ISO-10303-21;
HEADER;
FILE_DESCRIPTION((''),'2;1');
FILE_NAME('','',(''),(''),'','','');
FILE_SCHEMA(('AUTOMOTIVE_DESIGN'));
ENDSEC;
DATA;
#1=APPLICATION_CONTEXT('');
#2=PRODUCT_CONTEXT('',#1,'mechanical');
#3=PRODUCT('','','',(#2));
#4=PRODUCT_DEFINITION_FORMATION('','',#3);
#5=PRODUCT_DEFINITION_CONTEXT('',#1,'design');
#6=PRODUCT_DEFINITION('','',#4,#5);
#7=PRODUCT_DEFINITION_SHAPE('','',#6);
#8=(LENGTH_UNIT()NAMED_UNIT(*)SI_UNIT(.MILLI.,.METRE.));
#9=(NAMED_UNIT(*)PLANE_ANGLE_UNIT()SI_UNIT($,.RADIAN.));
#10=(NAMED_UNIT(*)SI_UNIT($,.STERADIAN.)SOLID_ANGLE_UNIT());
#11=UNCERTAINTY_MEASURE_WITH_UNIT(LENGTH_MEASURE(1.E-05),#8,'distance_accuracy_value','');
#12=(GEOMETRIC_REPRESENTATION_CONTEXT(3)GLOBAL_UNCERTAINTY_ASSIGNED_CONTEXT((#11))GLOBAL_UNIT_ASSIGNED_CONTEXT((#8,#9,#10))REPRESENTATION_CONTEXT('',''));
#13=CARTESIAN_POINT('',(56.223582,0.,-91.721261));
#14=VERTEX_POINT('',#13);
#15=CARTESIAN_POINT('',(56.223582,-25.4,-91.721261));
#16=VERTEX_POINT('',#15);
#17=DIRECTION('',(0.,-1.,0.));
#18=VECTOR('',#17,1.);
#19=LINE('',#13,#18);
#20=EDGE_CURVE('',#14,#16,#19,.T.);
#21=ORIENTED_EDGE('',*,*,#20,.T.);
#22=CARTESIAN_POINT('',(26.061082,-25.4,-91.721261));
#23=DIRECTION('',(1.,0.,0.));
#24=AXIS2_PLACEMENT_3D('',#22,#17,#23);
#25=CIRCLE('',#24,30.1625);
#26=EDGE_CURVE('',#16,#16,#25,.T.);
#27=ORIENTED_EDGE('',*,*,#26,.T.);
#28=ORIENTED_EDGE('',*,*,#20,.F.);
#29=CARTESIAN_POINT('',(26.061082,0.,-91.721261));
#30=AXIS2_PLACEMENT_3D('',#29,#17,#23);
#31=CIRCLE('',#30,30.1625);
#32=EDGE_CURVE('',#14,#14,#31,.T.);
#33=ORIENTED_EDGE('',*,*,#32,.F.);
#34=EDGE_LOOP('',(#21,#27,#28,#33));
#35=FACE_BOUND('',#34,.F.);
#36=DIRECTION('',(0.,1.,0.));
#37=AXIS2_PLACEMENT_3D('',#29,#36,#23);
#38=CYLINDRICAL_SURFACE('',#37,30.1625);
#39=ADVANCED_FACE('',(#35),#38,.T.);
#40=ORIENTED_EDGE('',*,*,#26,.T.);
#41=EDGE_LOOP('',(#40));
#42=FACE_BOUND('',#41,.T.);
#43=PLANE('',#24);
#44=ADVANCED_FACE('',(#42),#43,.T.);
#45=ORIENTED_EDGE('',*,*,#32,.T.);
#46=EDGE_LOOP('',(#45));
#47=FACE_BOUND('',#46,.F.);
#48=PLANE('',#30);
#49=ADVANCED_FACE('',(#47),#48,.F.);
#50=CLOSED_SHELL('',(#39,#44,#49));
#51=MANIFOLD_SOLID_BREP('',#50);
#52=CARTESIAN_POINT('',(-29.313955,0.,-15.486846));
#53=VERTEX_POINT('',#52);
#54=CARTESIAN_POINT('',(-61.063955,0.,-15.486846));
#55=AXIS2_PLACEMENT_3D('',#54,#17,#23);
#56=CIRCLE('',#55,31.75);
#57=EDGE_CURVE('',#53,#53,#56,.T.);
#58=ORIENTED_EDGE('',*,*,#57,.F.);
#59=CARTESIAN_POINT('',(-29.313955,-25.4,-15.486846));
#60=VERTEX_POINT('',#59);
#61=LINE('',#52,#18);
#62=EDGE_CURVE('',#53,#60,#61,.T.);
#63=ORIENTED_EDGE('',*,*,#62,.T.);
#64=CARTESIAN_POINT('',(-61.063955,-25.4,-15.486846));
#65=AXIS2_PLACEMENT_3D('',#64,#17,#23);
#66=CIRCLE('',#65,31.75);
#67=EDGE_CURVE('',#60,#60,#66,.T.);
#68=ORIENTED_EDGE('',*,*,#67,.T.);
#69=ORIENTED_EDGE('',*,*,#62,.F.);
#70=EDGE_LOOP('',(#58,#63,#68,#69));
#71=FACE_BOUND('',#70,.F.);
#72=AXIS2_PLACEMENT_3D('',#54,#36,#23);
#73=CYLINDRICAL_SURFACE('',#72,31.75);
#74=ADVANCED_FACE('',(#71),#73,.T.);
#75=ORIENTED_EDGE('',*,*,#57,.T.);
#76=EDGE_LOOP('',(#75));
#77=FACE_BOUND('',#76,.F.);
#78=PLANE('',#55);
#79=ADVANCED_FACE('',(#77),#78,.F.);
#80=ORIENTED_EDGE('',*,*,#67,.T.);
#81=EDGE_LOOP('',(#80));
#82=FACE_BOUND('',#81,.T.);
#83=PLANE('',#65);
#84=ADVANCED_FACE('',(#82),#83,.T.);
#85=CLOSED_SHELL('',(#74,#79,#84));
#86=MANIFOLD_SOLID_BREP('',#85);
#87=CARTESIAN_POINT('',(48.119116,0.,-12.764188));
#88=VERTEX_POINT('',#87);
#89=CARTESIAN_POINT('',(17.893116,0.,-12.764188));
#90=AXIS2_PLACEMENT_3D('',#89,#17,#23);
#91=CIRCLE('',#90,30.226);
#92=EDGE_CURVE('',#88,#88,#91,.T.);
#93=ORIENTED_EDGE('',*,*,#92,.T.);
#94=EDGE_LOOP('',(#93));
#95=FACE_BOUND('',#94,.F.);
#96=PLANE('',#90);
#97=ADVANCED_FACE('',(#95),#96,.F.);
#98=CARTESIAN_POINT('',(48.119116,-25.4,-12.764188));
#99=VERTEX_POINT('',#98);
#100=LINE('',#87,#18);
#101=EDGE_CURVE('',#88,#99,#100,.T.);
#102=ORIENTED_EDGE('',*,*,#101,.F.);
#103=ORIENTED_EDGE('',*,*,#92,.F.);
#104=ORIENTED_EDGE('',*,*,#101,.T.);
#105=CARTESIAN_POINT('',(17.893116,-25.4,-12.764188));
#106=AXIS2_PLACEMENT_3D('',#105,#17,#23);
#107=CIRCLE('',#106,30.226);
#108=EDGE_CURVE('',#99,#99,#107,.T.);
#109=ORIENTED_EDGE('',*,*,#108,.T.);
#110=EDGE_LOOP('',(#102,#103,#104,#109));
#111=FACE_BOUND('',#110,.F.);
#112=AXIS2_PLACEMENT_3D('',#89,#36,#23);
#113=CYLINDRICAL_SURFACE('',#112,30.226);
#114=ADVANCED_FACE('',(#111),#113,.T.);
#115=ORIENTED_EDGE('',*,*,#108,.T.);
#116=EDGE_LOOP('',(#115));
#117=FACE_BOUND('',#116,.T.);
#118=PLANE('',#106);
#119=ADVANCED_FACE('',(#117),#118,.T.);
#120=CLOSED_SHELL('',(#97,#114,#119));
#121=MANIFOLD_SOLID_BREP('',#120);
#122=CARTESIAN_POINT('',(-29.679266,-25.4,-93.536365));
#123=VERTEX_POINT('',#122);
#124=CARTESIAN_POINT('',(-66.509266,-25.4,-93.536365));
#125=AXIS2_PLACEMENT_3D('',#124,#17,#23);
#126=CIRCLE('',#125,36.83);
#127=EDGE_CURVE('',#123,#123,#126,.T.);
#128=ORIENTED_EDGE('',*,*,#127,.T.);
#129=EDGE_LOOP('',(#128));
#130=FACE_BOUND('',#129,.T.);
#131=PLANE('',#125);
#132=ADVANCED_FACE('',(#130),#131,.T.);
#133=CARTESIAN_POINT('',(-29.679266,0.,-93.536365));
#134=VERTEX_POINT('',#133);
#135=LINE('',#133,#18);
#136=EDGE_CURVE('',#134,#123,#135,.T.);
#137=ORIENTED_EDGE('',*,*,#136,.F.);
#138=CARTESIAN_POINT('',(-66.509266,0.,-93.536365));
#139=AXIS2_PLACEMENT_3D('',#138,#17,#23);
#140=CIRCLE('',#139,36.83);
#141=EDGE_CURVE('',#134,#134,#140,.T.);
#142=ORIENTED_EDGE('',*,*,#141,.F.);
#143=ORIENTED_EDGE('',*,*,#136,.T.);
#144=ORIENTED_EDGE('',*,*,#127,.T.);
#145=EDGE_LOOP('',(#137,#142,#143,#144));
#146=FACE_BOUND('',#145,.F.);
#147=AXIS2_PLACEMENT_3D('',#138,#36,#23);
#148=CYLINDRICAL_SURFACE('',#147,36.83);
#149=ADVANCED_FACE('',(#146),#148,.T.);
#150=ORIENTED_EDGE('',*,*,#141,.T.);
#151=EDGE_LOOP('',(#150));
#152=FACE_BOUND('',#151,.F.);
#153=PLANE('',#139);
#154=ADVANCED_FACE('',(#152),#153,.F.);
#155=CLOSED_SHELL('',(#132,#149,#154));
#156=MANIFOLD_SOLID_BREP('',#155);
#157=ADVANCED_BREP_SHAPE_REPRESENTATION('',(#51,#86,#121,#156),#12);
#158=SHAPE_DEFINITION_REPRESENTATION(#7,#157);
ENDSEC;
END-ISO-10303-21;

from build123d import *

# Parameters (mm, degrees)
F0_R     = 31.75
F0_R_2   = 30.226
F0_R_3   = 36.83
F0_R_4   = 30.1625
F1_DEPTH = 25.4


with BuildPart() as f1:
    # F0 (on Front) → F1 (new body)
    with BuildSketch(Plane.XZ):
        with Locations((-61.063955, -15.486846)):
            Circle(F0_R)
        with Locations((17.893116, -12.764188)):
            Circle(F0_R_2)
        with Locations((-66.509266, -93.536365)):
            Circle(F0_R_3)
        with Locations((26.061082, -91.721261)):
            Circle(F0_R_4)
    extrude(amount=F1_DEPTH)


solid = f1.part
